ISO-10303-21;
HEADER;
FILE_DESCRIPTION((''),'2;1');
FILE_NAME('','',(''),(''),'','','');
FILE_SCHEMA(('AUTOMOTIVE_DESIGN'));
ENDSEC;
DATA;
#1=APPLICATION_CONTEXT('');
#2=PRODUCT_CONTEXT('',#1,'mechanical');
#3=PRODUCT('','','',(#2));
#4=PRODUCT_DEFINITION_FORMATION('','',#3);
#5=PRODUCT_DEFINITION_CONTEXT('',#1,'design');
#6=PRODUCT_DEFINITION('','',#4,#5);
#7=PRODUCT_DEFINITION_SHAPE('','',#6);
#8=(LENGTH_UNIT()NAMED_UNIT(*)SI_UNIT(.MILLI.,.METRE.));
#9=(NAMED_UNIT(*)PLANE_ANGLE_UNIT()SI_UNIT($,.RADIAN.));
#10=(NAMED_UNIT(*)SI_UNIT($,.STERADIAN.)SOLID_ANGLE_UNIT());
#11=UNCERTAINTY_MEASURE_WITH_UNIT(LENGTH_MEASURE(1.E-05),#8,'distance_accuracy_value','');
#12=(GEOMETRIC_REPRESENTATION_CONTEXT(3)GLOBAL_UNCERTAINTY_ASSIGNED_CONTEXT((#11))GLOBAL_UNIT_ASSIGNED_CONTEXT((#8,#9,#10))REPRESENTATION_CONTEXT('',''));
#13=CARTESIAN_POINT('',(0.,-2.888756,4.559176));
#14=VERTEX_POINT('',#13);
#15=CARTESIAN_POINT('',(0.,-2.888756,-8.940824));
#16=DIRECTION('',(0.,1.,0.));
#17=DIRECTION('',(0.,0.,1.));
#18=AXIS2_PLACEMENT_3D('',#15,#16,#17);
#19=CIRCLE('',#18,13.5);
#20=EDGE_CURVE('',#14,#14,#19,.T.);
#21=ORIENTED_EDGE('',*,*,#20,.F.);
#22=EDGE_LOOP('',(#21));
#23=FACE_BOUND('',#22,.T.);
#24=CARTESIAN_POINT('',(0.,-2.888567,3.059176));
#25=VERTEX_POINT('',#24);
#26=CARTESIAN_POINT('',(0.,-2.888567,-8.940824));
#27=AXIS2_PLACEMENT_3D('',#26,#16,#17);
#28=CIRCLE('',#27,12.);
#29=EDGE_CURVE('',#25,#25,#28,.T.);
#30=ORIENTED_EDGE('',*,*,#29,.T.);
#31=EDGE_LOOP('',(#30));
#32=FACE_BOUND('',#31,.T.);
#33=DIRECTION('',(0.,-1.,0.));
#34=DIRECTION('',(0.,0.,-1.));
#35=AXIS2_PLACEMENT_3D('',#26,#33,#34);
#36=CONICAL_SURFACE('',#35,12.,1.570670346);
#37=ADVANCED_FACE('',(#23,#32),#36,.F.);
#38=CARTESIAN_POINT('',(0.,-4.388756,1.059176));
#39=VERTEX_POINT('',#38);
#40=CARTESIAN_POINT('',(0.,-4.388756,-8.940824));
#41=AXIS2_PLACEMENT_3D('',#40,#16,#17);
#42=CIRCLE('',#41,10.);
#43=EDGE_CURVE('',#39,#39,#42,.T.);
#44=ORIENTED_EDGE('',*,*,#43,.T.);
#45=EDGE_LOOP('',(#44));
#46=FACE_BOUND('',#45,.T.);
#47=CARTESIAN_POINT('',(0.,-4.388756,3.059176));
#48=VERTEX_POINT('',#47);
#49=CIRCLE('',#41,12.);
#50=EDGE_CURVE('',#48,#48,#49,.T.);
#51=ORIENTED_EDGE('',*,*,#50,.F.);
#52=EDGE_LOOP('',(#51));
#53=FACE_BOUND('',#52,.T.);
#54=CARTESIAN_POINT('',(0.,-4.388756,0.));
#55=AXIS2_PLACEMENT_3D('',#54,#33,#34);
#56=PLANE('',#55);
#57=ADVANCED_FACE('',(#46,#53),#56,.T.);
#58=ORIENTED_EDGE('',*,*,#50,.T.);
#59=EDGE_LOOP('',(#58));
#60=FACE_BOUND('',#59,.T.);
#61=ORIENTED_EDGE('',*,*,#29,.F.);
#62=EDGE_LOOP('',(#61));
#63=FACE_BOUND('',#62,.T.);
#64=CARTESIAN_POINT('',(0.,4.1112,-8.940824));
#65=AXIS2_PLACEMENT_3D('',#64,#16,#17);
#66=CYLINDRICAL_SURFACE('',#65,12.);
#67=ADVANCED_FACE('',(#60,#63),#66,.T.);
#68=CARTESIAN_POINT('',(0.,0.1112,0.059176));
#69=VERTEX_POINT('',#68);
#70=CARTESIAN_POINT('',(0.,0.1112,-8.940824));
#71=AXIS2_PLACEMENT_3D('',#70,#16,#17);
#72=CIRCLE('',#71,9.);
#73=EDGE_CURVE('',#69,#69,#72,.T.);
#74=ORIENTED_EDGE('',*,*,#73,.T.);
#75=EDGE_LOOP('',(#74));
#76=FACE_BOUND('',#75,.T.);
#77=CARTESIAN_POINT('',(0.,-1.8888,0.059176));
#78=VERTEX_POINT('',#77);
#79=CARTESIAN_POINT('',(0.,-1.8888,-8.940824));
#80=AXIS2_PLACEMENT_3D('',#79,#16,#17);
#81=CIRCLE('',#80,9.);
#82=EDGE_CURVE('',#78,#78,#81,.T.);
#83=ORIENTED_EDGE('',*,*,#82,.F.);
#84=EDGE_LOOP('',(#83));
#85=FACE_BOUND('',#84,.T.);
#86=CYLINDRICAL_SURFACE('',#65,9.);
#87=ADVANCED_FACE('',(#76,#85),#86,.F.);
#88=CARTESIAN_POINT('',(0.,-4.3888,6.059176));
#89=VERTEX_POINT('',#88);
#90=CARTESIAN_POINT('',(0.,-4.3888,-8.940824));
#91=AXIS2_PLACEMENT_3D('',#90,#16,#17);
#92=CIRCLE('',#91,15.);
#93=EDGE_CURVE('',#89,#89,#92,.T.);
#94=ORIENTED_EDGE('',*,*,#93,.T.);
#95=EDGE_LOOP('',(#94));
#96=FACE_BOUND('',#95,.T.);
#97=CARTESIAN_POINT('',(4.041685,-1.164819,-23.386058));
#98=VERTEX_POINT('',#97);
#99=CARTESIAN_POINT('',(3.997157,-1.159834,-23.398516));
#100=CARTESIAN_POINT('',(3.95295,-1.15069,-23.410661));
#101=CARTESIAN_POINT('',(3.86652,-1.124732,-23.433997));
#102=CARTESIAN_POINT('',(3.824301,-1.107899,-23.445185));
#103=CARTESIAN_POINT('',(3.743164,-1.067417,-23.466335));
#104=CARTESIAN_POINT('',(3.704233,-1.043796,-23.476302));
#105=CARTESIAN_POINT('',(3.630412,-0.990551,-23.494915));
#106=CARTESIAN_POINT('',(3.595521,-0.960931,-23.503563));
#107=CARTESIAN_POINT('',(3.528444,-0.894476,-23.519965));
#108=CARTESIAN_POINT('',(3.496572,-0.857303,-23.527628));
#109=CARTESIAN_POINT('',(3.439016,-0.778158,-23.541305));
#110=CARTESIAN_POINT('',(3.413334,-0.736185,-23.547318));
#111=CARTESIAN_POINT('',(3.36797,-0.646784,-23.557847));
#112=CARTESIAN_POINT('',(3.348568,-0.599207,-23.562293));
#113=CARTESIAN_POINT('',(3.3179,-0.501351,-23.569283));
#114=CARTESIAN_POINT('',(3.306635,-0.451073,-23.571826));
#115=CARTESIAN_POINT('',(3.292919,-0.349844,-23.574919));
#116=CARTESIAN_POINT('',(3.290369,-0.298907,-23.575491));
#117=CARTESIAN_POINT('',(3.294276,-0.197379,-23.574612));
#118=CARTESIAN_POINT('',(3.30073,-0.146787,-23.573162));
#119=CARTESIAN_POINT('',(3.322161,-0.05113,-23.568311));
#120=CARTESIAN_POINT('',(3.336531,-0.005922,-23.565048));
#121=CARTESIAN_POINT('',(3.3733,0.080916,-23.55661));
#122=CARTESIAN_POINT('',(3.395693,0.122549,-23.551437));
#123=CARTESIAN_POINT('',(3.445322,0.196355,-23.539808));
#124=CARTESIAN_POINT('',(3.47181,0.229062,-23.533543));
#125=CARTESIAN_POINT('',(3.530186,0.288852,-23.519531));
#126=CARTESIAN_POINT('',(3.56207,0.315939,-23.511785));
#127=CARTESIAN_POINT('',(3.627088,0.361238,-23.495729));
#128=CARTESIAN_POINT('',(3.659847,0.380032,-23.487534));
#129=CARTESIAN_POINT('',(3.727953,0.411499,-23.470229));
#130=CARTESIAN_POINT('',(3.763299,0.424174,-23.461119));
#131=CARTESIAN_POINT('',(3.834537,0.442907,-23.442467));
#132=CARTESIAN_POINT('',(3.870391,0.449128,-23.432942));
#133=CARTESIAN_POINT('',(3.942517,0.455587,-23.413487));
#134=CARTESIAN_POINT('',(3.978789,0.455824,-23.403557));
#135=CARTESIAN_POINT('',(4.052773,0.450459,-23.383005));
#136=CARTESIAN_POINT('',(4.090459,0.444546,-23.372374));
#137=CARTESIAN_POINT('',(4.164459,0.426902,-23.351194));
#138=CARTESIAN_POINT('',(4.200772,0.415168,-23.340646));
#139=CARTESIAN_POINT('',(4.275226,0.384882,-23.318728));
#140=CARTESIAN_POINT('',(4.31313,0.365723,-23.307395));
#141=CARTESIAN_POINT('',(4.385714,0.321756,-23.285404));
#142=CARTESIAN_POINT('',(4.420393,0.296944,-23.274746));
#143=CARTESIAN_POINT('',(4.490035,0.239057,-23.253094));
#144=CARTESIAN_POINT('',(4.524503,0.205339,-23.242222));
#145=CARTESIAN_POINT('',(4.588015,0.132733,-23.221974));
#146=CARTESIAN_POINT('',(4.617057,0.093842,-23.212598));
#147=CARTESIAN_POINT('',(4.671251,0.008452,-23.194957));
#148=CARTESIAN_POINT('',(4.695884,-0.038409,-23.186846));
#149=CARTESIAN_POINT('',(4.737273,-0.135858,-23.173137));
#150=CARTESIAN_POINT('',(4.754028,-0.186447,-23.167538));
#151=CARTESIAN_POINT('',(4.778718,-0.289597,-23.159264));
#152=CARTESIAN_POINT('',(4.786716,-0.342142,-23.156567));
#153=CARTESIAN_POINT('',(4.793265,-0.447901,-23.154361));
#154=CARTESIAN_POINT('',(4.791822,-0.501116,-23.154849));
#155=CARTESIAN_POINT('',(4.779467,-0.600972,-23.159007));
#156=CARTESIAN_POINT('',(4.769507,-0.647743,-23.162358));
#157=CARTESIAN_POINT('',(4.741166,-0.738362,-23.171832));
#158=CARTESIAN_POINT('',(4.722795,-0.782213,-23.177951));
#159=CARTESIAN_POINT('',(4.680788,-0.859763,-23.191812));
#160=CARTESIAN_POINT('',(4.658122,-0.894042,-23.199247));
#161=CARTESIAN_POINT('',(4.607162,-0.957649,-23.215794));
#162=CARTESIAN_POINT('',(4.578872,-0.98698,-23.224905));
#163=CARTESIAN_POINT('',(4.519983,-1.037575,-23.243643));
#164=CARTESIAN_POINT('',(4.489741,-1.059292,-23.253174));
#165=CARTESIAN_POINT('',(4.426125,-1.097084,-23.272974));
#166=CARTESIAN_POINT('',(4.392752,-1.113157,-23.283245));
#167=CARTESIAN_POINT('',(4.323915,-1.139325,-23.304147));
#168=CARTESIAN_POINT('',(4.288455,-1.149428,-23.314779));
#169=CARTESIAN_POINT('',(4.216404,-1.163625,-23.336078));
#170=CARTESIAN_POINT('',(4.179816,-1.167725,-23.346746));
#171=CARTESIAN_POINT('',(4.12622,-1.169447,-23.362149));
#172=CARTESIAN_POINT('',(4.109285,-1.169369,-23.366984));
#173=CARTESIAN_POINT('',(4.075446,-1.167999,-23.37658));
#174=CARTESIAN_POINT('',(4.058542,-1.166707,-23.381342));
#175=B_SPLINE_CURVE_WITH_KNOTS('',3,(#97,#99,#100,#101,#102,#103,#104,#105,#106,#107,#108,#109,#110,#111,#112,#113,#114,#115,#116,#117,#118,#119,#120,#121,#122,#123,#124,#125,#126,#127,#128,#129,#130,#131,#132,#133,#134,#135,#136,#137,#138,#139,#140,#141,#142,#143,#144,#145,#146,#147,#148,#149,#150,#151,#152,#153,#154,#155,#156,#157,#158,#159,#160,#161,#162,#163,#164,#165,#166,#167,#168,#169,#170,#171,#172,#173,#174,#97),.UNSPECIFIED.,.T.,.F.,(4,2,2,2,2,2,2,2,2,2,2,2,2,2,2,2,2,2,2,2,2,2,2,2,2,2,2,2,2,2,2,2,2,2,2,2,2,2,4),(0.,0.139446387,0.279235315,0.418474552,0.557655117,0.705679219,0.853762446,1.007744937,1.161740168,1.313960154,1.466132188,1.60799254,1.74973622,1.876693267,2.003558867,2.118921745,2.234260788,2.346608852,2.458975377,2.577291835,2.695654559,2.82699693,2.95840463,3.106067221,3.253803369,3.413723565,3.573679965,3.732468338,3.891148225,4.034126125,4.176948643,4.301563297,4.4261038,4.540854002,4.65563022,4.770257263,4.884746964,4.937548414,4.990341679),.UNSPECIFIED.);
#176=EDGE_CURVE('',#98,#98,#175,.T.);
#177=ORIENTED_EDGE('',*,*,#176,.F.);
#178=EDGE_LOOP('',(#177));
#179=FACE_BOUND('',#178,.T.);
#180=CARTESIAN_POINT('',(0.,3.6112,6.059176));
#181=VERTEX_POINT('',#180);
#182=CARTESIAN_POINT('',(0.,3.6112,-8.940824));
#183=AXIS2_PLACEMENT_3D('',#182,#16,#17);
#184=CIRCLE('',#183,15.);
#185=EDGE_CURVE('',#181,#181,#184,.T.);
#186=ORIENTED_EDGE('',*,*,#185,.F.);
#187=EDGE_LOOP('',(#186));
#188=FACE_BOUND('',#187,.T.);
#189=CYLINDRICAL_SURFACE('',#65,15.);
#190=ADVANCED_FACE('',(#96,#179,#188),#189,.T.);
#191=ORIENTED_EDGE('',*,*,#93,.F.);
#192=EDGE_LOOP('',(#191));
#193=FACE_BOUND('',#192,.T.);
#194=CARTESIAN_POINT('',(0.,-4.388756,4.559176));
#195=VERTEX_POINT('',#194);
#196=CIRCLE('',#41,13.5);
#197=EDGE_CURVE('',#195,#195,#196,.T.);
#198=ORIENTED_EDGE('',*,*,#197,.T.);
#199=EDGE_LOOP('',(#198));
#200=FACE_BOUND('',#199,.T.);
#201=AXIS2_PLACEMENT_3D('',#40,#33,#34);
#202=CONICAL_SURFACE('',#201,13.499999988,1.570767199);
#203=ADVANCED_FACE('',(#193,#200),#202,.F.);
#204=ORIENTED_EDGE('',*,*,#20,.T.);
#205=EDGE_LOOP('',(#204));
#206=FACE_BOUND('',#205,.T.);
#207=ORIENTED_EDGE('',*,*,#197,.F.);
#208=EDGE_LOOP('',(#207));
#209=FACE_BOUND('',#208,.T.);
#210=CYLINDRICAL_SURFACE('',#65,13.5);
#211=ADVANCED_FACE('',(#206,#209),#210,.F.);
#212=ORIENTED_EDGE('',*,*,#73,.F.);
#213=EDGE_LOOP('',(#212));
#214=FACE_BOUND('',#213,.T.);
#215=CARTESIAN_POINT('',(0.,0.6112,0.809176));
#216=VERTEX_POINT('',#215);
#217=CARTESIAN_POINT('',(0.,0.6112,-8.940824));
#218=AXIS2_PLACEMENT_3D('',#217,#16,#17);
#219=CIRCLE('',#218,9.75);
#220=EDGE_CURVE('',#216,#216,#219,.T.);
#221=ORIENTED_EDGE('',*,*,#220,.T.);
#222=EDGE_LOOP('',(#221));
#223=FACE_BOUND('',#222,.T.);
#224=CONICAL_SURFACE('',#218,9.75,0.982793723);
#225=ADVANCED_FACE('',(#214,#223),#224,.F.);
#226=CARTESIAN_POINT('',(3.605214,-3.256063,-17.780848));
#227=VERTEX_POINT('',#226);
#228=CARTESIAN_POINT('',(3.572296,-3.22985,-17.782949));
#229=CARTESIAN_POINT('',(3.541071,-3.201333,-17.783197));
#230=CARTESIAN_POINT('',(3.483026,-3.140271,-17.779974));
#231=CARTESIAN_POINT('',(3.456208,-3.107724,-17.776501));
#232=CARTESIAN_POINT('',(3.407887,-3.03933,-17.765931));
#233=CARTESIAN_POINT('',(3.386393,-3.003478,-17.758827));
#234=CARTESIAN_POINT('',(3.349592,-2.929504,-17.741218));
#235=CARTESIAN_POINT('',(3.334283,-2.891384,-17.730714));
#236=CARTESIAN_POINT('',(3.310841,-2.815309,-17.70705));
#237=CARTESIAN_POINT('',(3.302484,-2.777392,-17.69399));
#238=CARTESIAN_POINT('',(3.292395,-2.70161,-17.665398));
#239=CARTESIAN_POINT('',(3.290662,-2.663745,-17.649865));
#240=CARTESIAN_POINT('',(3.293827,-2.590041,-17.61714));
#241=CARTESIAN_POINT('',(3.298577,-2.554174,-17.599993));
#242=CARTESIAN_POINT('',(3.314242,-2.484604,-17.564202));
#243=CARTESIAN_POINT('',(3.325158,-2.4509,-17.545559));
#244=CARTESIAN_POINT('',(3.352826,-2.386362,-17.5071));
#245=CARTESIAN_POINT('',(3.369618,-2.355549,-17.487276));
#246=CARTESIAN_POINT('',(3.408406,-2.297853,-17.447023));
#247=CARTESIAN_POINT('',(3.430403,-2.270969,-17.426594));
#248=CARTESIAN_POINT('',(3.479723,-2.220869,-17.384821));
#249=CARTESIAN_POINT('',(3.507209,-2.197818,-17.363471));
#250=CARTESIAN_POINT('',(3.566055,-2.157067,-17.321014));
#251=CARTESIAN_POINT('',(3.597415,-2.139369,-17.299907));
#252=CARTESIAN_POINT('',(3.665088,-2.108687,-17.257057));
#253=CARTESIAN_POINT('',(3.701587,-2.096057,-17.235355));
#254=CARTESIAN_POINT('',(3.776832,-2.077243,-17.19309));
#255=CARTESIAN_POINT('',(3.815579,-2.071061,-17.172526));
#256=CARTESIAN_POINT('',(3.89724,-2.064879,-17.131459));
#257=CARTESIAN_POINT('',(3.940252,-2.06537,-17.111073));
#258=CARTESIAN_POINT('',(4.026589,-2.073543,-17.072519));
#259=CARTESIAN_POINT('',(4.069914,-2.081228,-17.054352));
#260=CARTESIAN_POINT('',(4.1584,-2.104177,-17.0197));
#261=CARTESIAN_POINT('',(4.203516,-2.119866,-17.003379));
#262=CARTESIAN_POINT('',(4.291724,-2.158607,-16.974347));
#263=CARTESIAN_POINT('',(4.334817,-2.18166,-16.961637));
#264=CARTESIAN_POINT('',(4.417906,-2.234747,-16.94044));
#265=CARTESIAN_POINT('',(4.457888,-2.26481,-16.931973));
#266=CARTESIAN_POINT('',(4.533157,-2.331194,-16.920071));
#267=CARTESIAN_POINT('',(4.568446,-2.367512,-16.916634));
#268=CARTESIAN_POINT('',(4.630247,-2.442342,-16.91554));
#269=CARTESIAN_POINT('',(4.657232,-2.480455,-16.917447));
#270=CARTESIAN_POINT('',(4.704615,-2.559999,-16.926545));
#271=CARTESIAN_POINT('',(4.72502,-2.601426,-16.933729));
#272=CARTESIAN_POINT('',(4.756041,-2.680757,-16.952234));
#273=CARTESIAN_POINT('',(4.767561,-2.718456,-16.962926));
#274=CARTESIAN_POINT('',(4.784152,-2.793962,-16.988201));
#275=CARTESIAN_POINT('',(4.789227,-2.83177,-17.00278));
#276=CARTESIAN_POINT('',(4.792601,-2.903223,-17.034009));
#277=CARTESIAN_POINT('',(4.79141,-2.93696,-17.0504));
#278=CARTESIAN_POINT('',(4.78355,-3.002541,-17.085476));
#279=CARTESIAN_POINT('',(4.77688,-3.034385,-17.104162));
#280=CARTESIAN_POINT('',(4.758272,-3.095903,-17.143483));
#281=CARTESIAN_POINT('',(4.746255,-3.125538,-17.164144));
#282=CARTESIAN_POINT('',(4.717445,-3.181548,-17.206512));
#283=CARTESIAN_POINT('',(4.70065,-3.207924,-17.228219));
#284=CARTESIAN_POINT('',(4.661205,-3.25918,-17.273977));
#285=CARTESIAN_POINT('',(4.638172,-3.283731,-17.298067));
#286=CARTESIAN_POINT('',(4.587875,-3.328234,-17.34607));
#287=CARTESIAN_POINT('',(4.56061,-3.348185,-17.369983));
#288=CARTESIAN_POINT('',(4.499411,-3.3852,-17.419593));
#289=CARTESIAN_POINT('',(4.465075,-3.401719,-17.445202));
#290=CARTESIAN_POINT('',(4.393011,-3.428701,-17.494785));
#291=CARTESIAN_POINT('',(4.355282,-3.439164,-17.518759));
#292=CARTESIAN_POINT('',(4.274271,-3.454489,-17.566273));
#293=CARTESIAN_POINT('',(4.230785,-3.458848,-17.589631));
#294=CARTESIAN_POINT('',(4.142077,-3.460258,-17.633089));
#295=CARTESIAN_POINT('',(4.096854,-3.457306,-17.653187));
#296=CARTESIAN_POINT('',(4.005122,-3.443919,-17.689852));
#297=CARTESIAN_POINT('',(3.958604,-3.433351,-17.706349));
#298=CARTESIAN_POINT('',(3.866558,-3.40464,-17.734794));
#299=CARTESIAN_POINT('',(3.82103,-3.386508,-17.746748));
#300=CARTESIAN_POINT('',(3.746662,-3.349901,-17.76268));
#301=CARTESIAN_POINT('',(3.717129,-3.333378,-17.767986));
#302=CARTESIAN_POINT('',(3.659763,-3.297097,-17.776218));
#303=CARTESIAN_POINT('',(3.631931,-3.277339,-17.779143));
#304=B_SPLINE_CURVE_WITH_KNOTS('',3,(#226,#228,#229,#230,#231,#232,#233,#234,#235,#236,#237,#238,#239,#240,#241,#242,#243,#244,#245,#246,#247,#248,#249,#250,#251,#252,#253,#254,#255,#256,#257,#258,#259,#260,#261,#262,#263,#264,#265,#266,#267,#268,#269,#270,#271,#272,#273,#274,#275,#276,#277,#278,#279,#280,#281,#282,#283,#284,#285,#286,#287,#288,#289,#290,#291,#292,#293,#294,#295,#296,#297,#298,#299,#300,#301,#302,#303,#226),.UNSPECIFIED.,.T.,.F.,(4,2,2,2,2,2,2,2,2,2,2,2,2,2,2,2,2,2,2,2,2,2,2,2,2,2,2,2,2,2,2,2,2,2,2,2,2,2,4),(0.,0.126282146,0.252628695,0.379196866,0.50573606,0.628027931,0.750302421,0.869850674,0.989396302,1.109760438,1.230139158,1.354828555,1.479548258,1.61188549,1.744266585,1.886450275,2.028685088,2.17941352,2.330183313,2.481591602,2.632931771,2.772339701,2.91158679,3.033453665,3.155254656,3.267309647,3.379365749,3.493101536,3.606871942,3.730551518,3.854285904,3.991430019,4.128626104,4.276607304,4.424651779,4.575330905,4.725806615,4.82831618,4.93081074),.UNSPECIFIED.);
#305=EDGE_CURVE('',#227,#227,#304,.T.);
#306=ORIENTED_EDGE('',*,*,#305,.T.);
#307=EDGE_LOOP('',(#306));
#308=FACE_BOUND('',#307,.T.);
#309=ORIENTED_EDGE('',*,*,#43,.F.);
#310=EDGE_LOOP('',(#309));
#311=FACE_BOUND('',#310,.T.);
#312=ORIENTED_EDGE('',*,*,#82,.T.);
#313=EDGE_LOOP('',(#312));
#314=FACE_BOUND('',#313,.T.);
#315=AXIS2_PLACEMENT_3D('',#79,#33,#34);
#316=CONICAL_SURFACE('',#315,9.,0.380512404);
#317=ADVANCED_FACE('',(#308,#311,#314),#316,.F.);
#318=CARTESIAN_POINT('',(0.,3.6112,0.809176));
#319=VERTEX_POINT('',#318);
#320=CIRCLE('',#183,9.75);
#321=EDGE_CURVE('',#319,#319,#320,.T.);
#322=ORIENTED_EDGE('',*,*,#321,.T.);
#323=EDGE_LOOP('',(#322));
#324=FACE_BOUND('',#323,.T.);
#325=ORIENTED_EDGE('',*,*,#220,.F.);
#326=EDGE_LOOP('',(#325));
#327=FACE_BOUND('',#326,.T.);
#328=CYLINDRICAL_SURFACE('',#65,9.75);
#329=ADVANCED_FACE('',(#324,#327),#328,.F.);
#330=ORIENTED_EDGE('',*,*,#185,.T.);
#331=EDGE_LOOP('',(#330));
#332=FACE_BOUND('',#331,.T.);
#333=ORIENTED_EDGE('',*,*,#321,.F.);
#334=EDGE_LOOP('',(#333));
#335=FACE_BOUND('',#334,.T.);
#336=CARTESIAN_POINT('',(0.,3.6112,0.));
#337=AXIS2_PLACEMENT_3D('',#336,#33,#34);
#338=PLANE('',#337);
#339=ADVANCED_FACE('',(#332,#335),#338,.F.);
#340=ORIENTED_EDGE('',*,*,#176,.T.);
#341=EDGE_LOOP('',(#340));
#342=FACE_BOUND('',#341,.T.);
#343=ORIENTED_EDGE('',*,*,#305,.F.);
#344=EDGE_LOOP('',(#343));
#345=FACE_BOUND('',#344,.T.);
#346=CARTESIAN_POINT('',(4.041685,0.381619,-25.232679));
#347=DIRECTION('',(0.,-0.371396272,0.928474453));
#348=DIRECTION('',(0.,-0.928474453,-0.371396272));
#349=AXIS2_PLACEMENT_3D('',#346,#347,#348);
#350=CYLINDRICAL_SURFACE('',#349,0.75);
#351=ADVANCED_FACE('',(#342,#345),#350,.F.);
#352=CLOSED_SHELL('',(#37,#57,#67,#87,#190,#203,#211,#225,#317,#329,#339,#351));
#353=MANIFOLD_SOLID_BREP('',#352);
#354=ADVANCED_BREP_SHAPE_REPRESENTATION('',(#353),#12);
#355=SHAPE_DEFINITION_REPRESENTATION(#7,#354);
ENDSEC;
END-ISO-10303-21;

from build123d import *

# Parameters (mm, degrees)
CUT_EXTRUDE2_DEPTH      = 28.696934518
CUT_EXTRUDE2_DEPTH_BACK = 28.696934518
SKETCH10_R              = 0.75


with BuildPart() as part:
    # Sketch1 → Revolve1 (revolve)
    with BuildSketch(Plane(origin=(0, 0, 0), x_dir=(0, 0, -1), z_dir=(1, 0, 0))):
        Polygon((-6.059175667, 3.611199877), (-6.059175667, -4.388800123), (-4.559175656, -4.388756431), (-4.559175656, -2.888756431), (-3.059175668, -2.88856746), (-3.059175668, -4.388756431), (-1.059175668, -4.388756431), (-0.059175667, -1.888800123), (-0.059175667, 0.111199877), (-0.809175667, 0.611199877), (-0.809175667, 3.611199877), align=None)
    revolve(axis=Axis((0, 4.111199877, -8.940824333), (0, -1, 0)))

    # Sketch10 → Cut-Extrude2 (cut, two sides: drawn at the far end of the back side and taken through both)
    with BuildSketch(Plane(origin=(0, 5.926037439, -14.814834675), x_dir=(1, 0, 0), z_dir=(0, -0.37139627193644054, 0.9284744526327656)).offset(-CUT_EXTRUDE2_DEPTH_BACK)):
        with Locations(Location((4.041684761, -9.017, 0), (0, 0, 270))):
            Circle(SKETCH10_R)
    extrude(amount=CUT_EXTRUDE2_DEPTH + CUT_EXTRUDE2_DEPTH_BACK, mode=Mode.SUBTRACT)


solid = part.part
